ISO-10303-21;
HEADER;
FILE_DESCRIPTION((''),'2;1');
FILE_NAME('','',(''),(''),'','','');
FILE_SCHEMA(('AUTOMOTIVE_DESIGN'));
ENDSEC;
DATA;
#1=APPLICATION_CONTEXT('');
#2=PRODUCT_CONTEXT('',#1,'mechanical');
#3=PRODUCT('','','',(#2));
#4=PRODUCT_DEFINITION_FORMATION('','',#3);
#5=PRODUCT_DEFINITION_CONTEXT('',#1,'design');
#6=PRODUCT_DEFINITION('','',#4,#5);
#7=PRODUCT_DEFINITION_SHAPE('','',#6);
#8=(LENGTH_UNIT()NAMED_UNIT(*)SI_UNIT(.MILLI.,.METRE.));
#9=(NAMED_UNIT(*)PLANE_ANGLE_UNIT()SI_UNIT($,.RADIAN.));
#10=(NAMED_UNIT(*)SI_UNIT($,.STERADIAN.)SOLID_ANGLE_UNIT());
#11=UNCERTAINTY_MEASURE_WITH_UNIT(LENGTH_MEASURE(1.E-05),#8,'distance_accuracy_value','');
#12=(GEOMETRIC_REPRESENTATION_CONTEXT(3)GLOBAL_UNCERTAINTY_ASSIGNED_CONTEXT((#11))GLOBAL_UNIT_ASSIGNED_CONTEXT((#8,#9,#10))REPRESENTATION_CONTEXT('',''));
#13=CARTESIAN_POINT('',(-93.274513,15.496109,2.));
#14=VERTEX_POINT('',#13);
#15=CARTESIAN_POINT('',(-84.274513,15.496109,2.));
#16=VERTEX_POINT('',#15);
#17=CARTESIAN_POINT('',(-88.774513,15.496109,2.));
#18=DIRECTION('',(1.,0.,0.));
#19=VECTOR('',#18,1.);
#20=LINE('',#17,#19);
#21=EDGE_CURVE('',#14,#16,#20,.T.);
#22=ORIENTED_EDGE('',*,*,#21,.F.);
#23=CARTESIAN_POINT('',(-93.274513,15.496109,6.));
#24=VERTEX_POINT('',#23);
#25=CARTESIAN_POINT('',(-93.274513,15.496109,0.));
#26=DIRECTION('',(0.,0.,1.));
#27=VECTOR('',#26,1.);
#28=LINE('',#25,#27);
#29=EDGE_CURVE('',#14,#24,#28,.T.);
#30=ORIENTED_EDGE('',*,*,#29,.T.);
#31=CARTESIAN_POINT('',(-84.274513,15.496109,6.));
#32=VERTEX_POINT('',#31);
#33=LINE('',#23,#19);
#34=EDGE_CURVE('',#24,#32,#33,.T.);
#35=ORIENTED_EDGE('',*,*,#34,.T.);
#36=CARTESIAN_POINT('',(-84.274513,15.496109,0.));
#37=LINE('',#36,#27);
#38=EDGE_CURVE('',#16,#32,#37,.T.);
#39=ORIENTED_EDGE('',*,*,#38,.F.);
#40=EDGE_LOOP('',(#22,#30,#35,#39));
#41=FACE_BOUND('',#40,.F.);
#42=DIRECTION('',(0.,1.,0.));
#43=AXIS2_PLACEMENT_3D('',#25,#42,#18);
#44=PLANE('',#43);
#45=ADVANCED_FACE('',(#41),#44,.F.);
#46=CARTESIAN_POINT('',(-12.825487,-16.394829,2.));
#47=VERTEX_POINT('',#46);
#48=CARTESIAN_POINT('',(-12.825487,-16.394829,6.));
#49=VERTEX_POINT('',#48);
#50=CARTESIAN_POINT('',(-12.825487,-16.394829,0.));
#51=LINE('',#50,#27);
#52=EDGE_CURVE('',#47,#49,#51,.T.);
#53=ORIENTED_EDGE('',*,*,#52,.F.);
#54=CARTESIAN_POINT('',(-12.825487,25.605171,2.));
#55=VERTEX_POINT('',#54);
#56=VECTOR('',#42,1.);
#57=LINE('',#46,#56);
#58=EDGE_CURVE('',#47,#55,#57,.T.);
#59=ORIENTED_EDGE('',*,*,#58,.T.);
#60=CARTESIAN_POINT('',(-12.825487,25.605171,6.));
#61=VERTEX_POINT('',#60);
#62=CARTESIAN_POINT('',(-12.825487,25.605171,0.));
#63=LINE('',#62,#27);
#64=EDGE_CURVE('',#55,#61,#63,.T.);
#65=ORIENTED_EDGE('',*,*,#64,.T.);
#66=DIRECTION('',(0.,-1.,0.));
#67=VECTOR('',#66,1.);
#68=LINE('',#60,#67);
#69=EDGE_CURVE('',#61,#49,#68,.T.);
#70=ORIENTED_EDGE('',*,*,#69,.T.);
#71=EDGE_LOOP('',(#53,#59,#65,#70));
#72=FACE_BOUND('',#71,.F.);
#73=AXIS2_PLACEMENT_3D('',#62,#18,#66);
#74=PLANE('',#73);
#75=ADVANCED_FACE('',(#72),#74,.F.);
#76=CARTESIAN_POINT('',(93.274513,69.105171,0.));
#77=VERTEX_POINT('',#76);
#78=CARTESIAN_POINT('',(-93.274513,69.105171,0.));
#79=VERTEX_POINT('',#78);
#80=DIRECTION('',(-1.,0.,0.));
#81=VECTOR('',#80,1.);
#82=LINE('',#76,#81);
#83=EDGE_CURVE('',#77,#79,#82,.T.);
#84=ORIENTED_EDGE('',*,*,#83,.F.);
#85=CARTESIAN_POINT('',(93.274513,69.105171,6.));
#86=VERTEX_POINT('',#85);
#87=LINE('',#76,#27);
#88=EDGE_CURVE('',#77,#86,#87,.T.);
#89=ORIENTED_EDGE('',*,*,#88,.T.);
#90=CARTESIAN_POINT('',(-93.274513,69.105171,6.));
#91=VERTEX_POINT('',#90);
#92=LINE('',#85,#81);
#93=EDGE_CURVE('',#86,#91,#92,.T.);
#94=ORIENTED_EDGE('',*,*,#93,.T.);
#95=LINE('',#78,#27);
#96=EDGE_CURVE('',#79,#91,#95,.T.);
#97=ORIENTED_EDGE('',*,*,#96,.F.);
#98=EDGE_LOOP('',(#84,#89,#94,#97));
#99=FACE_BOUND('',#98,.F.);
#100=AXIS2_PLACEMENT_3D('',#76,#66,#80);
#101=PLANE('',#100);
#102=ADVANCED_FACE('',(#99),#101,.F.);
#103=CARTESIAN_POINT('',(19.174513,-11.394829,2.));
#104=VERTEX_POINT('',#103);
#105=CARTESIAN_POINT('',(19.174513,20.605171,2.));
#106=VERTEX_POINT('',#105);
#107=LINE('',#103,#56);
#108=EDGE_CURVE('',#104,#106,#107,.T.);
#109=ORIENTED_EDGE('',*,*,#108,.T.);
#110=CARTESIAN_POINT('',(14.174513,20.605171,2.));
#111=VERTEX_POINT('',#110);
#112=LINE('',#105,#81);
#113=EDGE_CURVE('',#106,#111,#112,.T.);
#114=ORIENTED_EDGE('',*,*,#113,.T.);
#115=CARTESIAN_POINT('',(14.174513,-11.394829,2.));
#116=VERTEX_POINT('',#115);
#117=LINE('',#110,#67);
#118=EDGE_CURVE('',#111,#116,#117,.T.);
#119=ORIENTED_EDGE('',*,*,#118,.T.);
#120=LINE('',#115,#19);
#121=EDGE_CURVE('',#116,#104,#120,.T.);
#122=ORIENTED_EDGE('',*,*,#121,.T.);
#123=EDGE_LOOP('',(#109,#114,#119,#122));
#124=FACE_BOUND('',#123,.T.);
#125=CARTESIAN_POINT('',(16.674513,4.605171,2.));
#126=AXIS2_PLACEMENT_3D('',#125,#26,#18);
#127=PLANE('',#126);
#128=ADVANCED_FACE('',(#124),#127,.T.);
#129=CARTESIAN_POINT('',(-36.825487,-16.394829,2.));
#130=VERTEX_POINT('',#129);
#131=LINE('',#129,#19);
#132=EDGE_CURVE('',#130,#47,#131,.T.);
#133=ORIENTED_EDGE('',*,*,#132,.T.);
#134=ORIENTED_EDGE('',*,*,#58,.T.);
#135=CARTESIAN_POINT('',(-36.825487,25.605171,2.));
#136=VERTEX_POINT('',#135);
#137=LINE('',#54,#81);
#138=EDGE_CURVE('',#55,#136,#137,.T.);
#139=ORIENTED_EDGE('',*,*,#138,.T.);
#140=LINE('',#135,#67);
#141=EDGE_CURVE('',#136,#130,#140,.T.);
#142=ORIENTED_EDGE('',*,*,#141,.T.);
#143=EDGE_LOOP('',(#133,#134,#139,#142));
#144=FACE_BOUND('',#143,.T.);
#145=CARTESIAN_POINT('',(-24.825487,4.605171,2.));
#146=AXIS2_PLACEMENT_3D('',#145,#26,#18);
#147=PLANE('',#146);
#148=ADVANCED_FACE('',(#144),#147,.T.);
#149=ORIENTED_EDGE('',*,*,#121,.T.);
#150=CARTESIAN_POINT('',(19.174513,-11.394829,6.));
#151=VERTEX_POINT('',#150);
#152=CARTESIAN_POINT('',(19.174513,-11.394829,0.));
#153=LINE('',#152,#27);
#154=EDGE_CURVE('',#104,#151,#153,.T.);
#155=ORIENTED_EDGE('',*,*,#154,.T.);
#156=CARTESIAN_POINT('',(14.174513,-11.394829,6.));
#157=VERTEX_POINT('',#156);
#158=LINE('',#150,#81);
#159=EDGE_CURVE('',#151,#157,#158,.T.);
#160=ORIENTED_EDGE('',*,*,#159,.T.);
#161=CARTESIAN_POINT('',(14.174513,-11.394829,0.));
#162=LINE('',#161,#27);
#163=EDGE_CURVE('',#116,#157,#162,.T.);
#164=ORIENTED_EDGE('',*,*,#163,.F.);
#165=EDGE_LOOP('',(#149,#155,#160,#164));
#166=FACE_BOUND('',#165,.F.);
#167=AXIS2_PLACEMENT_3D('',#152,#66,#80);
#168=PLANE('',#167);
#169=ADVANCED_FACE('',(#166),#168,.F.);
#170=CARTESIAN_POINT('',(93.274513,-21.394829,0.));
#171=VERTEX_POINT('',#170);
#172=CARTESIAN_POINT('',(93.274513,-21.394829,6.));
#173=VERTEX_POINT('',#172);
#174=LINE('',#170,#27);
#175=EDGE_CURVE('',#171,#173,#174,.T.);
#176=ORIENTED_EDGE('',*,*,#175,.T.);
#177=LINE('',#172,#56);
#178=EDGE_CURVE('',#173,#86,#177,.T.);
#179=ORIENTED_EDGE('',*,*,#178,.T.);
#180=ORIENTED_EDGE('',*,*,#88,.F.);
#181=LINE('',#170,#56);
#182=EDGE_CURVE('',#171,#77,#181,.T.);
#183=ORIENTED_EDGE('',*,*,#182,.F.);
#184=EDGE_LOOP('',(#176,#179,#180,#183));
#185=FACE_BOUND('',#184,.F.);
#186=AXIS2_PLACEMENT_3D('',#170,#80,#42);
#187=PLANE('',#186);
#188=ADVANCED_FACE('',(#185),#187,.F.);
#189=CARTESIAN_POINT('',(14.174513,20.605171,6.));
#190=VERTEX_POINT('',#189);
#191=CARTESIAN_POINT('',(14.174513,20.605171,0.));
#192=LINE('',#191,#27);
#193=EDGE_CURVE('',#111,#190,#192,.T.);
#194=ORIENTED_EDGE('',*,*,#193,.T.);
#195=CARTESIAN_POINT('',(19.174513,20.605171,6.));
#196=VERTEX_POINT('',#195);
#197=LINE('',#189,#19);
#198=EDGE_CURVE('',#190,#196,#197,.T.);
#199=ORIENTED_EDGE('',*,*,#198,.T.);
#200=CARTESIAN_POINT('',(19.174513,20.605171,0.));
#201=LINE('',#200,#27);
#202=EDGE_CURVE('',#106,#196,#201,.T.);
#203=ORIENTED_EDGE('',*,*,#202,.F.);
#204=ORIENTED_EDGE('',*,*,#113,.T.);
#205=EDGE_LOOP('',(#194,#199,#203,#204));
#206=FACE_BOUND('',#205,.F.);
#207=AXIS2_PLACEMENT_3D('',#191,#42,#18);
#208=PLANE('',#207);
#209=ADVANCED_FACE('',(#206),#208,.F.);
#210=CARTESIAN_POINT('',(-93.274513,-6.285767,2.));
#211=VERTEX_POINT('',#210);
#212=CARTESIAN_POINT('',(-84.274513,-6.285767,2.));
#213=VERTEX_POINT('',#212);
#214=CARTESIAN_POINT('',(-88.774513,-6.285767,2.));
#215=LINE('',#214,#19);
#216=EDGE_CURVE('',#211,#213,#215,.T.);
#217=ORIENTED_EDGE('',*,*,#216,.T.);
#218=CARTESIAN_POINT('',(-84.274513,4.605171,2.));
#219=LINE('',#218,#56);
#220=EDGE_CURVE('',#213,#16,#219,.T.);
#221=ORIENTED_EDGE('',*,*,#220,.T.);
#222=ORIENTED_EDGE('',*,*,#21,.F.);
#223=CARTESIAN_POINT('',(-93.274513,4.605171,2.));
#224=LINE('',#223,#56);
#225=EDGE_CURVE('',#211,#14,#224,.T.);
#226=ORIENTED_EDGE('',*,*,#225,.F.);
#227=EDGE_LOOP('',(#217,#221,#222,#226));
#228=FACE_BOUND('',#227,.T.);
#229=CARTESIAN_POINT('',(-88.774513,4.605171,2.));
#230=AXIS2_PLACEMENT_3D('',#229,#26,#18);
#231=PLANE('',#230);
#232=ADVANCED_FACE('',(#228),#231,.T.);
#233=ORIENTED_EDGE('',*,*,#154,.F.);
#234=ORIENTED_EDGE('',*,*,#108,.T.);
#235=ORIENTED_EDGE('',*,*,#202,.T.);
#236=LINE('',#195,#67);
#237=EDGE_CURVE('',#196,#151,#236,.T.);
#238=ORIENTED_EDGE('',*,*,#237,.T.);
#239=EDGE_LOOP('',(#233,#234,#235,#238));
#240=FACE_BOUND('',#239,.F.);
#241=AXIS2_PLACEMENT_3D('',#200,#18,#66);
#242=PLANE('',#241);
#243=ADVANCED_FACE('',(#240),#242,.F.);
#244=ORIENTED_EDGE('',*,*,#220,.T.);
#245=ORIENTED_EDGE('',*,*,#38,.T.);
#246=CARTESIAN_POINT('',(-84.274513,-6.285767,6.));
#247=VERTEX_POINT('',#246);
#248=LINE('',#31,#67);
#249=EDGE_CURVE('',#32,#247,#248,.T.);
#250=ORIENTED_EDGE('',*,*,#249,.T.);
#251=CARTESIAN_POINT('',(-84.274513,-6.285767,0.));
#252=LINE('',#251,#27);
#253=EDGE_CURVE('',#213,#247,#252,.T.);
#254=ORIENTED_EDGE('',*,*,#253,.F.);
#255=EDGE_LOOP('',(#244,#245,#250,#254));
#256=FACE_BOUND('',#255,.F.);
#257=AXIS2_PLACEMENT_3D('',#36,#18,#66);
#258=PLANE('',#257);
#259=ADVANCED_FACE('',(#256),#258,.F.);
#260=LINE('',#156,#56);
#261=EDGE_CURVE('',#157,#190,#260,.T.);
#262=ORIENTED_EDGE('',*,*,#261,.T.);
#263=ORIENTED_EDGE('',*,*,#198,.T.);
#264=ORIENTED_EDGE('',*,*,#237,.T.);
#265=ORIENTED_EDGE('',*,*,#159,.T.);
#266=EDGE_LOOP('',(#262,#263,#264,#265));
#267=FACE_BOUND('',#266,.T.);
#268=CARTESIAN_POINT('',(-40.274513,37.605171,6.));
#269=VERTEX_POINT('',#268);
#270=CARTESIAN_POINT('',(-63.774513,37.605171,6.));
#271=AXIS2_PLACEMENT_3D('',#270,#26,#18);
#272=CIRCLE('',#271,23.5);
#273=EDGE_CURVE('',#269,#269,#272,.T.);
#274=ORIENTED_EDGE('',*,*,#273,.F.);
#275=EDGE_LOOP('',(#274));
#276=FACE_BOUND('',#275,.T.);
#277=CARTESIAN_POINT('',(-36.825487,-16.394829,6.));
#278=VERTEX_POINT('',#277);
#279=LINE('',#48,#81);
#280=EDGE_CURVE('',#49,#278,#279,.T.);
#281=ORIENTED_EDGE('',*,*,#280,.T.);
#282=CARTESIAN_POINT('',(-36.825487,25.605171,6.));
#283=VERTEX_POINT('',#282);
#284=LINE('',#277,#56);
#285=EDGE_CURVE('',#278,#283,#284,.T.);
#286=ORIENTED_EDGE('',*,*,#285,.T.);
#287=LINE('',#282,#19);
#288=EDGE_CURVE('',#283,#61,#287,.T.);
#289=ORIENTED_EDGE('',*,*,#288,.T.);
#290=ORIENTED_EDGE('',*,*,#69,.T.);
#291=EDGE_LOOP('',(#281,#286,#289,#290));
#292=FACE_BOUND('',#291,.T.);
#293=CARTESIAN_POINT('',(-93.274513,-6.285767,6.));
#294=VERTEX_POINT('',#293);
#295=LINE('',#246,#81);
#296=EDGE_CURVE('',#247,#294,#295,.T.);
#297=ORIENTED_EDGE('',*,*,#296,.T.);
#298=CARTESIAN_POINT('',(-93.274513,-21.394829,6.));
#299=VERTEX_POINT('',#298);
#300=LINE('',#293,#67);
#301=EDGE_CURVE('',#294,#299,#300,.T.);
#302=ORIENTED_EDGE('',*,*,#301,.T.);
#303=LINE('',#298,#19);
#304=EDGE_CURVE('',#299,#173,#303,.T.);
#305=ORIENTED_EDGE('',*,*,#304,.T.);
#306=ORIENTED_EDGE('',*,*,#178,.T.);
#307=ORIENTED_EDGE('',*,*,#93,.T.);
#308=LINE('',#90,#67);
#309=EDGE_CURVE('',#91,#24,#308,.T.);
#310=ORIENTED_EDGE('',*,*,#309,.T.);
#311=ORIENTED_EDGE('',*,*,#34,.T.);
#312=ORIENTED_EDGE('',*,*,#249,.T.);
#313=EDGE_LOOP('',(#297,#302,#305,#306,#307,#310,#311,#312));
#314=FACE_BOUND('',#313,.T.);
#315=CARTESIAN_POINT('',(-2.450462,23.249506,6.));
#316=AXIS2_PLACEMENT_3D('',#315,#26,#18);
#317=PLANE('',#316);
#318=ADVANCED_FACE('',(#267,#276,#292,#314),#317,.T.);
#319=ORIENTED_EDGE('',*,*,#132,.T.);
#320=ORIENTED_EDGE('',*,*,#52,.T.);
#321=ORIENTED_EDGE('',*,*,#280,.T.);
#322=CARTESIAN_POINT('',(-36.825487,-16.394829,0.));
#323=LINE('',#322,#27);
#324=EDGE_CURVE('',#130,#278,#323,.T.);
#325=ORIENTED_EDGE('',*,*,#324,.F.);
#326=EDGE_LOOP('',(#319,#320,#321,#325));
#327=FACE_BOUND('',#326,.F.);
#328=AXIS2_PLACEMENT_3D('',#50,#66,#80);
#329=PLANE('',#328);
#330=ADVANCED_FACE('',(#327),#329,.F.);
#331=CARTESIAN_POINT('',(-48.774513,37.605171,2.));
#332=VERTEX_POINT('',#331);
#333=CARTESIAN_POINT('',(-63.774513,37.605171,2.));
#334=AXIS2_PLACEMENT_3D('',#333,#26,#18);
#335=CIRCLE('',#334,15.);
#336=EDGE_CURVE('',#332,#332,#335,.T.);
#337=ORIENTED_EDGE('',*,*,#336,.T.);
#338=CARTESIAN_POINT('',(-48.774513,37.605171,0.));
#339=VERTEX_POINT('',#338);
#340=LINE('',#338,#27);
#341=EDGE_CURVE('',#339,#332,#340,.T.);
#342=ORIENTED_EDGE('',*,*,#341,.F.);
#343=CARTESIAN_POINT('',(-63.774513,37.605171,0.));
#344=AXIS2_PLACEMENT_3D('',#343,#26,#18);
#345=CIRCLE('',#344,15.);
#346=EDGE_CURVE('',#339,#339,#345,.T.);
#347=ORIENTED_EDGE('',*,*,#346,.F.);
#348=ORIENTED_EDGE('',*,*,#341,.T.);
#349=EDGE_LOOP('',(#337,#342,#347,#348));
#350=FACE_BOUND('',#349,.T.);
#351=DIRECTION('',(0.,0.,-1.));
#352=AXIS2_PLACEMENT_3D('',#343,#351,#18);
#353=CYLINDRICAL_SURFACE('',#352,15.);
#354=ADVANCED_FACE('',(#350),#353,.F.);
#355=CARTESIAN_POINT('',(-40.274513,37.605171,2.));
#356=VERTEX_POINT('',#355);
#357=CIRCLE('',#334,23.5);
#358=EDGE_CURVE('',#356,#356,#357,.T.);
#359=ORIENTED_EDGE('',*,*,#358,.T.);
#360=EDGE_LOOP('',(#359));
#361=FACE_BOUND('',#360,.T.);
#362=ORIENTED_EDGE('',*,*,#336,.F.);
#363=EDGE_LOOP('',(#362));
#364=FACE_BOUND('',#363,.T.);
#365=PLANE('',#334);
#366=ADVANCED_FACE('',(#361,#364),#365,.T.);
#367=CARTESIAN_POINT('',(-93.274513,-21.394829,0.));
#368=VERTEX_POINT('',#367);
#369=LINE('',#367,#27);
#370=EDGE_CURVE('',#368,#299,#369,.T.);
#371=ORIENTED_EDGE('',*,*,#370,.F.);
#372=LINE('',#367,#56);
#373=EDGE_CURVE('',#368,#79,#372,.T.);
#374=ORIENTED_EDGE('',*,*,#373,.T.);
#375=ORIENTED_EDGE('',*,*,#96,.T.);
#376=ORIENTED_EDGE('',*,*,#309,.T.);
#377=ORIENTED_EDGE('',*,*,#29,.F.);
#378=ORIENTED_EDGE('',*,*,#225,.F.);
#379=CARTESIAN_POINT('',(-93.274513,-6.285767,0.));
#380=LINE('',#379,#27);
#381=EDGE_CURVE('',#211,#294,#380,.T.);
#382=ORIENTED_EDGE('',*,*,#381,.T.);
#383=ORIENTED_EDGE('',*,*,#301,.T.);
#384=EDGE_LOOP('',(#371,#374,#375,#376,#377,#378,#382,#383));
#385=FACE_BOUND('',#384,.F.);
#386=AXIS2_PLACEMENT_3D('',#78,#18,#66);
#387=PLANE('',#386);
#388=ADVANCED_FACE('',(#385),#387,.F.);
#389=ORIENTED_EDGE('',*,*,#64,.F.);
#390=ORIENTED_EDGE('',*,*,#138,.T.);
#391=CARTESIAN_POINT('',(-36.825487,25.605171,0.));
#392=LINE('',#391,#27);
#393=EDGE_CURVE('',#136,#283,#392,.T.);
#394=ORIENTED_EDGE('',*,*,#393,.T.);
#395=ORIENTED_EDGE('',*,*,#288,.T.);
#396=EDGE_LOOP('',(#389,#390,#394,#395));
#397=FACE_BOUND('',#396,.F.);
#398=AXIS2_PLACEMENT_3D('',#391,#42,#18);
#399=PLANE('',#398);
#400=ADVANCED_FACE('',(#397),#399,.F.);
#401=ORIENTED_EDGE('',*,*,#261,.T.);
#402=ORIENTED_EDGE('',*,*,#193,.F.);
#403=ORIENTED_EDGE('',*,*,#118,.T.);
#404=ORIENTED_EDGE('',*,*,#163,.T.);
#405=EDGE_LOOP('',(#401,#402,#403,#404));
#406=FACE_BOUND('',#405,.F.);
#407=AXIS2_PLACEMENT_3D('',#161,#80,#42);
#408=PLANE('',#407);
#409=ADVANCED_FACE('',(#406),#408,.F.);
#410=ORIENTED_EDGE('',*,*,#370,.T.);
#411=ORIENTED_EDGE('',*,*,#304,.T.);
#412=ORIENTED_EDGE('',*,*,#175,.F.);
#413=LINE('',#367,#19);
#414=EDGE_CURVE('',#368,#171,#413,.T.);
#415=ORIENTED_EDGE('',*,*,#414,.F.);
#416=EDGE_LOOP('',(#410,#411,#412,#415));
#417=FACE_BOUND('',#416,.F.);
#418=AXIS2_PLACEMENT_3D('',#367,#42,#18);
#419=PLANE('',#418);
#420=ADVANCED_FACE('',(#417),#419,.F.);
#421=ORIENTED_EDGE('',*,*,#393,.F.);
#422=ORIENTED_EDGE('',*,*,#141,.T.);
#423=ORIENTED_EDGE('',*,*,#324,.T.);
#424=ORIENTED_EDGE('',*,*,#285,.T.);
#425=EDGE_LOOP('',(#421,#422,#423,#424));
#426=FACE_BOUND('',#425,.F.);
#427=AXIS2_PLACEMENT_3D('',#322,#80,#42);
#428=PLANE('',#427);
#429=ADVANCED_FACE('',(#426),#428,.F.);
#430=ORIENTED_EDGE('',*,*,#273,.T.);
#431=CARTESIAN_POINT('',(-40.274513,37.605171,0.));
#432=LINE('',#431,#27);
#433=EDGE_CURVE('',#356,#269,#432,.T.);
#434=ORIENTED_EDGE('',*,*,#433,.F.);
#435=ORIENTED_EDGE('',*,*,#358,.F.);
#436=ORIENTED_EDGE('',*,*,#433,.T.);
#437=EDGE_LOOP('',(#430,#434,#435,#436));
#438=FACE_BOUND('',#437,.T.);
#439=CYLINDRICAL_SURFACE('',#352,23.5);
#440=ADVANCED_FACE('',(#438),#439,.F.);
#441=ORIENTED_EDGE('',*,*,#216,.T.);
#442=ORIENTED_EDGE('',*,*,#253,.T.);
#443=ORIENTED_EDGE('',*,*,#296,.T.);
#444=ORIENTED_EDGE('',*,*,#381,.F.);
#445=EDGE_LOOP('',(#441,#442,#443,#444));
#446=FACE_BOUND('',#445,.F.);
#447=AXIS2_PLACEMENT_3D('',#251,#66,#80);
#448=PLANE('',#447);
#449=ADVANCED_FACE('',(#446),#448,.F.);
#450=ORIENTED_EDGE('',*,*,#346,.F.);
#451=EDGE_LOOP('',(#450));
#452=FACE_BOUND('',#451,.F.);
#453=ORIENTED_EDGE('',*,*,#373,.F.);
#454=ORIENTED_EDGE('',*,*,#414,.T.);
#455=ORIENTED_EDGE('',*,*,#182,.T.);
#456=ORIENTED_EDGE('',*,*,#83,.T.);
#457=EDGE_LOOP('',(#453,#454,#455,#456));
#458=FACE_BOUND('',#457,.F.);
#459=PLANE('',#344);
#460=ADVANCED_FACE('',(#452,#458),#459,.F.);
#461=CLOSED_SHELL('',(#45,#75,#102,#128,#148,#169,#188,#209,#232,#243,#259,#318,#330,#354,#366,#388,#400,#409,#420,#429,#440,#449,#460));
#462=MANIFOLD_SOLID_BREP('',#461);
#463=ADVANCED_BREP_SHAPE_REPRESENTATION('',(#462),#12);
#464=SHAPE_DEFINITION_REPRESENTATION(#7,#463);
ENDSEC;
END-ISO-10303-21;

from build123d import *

# Parameters (mm, degrees)
F0_R     = 23.5
F1_DEPTH = 6
F0_R_2   = 15
F0_W     = 9
F0_H     = 21.781876
F2_DEPTH = 2


with BuildPart() as f1:
    # F0 (on Top) → F1 (new body)
    with BuildSketch(Plane.XY):
        Polygon((93.274513, 69.105171), (-93.274513, 69.105171), (-93.274513, 15.496109), (-84.274513, 15.496109), (-84.274513, -6.285767), (-93.274513, -6.285767), (-93.274513, -21.394829), (93.274513, -21.394829), (93.274513, -11.394829), (93.274513, 20.605171), align=None)
        Polygon((-36.825487, 25.605171), (-33.825487, 25.605171), (-15.825487, 25.605171), (-12.825487, 25.605171), (-12.825487, -16.394829), (-15.825487, -16.394829), (-33.825487, -16.394829), (-36.825487, -16.394829), align=None, mode=Mode.SUBTRACT)
        Polygon((14.174513, 13.605171), (14.174513, 20.605171), (19.174513, 20.605171), (19.174513, -11.394829), (14.174513, -11.394829), (14.174513, -4.394829), align=None, mode=Mode.SUBTRACT)
        with Locations((-63.774513, 37.605171)):
            Circle(F0_R, mode=Mode.SUBTRACT)
    extrude(amount=F1_DEPTH)

    # F0 (on Top) → F2 (join)
    with BuildSketch(Plane.XY):
        with Locations((-63.774513, 37.605171)):
            Circle(F0_R)
        with Locations((-63.774513, 37.605171)):
            Circle(F0_R_2, mode=Mode.SUBTRACT)
        with Locations((-88.774513, 4.605171)):
            Rectangle(F0_W, F0_H)
        Polygon((-15.825487, 25.605171), (-33.825487, 25.605171), (-36.825487, 25.605171), (-36.825487, -16.394829), (-33.825487, -16.394829), (-15.825487, -16.394829), (-12.825487, -16.394829), (-12.825487, 25.605171), align=None)
        Polygon((19.174513, 20.605171), (14.174513, 20.605171), (14.174513, 13.605171), (14.174513, -4.394829), (14.174513, -11.394829), (19.174513, -11.394829), align=None)
    extrude(amount=F2_DEPTH)


solid = f1.part
